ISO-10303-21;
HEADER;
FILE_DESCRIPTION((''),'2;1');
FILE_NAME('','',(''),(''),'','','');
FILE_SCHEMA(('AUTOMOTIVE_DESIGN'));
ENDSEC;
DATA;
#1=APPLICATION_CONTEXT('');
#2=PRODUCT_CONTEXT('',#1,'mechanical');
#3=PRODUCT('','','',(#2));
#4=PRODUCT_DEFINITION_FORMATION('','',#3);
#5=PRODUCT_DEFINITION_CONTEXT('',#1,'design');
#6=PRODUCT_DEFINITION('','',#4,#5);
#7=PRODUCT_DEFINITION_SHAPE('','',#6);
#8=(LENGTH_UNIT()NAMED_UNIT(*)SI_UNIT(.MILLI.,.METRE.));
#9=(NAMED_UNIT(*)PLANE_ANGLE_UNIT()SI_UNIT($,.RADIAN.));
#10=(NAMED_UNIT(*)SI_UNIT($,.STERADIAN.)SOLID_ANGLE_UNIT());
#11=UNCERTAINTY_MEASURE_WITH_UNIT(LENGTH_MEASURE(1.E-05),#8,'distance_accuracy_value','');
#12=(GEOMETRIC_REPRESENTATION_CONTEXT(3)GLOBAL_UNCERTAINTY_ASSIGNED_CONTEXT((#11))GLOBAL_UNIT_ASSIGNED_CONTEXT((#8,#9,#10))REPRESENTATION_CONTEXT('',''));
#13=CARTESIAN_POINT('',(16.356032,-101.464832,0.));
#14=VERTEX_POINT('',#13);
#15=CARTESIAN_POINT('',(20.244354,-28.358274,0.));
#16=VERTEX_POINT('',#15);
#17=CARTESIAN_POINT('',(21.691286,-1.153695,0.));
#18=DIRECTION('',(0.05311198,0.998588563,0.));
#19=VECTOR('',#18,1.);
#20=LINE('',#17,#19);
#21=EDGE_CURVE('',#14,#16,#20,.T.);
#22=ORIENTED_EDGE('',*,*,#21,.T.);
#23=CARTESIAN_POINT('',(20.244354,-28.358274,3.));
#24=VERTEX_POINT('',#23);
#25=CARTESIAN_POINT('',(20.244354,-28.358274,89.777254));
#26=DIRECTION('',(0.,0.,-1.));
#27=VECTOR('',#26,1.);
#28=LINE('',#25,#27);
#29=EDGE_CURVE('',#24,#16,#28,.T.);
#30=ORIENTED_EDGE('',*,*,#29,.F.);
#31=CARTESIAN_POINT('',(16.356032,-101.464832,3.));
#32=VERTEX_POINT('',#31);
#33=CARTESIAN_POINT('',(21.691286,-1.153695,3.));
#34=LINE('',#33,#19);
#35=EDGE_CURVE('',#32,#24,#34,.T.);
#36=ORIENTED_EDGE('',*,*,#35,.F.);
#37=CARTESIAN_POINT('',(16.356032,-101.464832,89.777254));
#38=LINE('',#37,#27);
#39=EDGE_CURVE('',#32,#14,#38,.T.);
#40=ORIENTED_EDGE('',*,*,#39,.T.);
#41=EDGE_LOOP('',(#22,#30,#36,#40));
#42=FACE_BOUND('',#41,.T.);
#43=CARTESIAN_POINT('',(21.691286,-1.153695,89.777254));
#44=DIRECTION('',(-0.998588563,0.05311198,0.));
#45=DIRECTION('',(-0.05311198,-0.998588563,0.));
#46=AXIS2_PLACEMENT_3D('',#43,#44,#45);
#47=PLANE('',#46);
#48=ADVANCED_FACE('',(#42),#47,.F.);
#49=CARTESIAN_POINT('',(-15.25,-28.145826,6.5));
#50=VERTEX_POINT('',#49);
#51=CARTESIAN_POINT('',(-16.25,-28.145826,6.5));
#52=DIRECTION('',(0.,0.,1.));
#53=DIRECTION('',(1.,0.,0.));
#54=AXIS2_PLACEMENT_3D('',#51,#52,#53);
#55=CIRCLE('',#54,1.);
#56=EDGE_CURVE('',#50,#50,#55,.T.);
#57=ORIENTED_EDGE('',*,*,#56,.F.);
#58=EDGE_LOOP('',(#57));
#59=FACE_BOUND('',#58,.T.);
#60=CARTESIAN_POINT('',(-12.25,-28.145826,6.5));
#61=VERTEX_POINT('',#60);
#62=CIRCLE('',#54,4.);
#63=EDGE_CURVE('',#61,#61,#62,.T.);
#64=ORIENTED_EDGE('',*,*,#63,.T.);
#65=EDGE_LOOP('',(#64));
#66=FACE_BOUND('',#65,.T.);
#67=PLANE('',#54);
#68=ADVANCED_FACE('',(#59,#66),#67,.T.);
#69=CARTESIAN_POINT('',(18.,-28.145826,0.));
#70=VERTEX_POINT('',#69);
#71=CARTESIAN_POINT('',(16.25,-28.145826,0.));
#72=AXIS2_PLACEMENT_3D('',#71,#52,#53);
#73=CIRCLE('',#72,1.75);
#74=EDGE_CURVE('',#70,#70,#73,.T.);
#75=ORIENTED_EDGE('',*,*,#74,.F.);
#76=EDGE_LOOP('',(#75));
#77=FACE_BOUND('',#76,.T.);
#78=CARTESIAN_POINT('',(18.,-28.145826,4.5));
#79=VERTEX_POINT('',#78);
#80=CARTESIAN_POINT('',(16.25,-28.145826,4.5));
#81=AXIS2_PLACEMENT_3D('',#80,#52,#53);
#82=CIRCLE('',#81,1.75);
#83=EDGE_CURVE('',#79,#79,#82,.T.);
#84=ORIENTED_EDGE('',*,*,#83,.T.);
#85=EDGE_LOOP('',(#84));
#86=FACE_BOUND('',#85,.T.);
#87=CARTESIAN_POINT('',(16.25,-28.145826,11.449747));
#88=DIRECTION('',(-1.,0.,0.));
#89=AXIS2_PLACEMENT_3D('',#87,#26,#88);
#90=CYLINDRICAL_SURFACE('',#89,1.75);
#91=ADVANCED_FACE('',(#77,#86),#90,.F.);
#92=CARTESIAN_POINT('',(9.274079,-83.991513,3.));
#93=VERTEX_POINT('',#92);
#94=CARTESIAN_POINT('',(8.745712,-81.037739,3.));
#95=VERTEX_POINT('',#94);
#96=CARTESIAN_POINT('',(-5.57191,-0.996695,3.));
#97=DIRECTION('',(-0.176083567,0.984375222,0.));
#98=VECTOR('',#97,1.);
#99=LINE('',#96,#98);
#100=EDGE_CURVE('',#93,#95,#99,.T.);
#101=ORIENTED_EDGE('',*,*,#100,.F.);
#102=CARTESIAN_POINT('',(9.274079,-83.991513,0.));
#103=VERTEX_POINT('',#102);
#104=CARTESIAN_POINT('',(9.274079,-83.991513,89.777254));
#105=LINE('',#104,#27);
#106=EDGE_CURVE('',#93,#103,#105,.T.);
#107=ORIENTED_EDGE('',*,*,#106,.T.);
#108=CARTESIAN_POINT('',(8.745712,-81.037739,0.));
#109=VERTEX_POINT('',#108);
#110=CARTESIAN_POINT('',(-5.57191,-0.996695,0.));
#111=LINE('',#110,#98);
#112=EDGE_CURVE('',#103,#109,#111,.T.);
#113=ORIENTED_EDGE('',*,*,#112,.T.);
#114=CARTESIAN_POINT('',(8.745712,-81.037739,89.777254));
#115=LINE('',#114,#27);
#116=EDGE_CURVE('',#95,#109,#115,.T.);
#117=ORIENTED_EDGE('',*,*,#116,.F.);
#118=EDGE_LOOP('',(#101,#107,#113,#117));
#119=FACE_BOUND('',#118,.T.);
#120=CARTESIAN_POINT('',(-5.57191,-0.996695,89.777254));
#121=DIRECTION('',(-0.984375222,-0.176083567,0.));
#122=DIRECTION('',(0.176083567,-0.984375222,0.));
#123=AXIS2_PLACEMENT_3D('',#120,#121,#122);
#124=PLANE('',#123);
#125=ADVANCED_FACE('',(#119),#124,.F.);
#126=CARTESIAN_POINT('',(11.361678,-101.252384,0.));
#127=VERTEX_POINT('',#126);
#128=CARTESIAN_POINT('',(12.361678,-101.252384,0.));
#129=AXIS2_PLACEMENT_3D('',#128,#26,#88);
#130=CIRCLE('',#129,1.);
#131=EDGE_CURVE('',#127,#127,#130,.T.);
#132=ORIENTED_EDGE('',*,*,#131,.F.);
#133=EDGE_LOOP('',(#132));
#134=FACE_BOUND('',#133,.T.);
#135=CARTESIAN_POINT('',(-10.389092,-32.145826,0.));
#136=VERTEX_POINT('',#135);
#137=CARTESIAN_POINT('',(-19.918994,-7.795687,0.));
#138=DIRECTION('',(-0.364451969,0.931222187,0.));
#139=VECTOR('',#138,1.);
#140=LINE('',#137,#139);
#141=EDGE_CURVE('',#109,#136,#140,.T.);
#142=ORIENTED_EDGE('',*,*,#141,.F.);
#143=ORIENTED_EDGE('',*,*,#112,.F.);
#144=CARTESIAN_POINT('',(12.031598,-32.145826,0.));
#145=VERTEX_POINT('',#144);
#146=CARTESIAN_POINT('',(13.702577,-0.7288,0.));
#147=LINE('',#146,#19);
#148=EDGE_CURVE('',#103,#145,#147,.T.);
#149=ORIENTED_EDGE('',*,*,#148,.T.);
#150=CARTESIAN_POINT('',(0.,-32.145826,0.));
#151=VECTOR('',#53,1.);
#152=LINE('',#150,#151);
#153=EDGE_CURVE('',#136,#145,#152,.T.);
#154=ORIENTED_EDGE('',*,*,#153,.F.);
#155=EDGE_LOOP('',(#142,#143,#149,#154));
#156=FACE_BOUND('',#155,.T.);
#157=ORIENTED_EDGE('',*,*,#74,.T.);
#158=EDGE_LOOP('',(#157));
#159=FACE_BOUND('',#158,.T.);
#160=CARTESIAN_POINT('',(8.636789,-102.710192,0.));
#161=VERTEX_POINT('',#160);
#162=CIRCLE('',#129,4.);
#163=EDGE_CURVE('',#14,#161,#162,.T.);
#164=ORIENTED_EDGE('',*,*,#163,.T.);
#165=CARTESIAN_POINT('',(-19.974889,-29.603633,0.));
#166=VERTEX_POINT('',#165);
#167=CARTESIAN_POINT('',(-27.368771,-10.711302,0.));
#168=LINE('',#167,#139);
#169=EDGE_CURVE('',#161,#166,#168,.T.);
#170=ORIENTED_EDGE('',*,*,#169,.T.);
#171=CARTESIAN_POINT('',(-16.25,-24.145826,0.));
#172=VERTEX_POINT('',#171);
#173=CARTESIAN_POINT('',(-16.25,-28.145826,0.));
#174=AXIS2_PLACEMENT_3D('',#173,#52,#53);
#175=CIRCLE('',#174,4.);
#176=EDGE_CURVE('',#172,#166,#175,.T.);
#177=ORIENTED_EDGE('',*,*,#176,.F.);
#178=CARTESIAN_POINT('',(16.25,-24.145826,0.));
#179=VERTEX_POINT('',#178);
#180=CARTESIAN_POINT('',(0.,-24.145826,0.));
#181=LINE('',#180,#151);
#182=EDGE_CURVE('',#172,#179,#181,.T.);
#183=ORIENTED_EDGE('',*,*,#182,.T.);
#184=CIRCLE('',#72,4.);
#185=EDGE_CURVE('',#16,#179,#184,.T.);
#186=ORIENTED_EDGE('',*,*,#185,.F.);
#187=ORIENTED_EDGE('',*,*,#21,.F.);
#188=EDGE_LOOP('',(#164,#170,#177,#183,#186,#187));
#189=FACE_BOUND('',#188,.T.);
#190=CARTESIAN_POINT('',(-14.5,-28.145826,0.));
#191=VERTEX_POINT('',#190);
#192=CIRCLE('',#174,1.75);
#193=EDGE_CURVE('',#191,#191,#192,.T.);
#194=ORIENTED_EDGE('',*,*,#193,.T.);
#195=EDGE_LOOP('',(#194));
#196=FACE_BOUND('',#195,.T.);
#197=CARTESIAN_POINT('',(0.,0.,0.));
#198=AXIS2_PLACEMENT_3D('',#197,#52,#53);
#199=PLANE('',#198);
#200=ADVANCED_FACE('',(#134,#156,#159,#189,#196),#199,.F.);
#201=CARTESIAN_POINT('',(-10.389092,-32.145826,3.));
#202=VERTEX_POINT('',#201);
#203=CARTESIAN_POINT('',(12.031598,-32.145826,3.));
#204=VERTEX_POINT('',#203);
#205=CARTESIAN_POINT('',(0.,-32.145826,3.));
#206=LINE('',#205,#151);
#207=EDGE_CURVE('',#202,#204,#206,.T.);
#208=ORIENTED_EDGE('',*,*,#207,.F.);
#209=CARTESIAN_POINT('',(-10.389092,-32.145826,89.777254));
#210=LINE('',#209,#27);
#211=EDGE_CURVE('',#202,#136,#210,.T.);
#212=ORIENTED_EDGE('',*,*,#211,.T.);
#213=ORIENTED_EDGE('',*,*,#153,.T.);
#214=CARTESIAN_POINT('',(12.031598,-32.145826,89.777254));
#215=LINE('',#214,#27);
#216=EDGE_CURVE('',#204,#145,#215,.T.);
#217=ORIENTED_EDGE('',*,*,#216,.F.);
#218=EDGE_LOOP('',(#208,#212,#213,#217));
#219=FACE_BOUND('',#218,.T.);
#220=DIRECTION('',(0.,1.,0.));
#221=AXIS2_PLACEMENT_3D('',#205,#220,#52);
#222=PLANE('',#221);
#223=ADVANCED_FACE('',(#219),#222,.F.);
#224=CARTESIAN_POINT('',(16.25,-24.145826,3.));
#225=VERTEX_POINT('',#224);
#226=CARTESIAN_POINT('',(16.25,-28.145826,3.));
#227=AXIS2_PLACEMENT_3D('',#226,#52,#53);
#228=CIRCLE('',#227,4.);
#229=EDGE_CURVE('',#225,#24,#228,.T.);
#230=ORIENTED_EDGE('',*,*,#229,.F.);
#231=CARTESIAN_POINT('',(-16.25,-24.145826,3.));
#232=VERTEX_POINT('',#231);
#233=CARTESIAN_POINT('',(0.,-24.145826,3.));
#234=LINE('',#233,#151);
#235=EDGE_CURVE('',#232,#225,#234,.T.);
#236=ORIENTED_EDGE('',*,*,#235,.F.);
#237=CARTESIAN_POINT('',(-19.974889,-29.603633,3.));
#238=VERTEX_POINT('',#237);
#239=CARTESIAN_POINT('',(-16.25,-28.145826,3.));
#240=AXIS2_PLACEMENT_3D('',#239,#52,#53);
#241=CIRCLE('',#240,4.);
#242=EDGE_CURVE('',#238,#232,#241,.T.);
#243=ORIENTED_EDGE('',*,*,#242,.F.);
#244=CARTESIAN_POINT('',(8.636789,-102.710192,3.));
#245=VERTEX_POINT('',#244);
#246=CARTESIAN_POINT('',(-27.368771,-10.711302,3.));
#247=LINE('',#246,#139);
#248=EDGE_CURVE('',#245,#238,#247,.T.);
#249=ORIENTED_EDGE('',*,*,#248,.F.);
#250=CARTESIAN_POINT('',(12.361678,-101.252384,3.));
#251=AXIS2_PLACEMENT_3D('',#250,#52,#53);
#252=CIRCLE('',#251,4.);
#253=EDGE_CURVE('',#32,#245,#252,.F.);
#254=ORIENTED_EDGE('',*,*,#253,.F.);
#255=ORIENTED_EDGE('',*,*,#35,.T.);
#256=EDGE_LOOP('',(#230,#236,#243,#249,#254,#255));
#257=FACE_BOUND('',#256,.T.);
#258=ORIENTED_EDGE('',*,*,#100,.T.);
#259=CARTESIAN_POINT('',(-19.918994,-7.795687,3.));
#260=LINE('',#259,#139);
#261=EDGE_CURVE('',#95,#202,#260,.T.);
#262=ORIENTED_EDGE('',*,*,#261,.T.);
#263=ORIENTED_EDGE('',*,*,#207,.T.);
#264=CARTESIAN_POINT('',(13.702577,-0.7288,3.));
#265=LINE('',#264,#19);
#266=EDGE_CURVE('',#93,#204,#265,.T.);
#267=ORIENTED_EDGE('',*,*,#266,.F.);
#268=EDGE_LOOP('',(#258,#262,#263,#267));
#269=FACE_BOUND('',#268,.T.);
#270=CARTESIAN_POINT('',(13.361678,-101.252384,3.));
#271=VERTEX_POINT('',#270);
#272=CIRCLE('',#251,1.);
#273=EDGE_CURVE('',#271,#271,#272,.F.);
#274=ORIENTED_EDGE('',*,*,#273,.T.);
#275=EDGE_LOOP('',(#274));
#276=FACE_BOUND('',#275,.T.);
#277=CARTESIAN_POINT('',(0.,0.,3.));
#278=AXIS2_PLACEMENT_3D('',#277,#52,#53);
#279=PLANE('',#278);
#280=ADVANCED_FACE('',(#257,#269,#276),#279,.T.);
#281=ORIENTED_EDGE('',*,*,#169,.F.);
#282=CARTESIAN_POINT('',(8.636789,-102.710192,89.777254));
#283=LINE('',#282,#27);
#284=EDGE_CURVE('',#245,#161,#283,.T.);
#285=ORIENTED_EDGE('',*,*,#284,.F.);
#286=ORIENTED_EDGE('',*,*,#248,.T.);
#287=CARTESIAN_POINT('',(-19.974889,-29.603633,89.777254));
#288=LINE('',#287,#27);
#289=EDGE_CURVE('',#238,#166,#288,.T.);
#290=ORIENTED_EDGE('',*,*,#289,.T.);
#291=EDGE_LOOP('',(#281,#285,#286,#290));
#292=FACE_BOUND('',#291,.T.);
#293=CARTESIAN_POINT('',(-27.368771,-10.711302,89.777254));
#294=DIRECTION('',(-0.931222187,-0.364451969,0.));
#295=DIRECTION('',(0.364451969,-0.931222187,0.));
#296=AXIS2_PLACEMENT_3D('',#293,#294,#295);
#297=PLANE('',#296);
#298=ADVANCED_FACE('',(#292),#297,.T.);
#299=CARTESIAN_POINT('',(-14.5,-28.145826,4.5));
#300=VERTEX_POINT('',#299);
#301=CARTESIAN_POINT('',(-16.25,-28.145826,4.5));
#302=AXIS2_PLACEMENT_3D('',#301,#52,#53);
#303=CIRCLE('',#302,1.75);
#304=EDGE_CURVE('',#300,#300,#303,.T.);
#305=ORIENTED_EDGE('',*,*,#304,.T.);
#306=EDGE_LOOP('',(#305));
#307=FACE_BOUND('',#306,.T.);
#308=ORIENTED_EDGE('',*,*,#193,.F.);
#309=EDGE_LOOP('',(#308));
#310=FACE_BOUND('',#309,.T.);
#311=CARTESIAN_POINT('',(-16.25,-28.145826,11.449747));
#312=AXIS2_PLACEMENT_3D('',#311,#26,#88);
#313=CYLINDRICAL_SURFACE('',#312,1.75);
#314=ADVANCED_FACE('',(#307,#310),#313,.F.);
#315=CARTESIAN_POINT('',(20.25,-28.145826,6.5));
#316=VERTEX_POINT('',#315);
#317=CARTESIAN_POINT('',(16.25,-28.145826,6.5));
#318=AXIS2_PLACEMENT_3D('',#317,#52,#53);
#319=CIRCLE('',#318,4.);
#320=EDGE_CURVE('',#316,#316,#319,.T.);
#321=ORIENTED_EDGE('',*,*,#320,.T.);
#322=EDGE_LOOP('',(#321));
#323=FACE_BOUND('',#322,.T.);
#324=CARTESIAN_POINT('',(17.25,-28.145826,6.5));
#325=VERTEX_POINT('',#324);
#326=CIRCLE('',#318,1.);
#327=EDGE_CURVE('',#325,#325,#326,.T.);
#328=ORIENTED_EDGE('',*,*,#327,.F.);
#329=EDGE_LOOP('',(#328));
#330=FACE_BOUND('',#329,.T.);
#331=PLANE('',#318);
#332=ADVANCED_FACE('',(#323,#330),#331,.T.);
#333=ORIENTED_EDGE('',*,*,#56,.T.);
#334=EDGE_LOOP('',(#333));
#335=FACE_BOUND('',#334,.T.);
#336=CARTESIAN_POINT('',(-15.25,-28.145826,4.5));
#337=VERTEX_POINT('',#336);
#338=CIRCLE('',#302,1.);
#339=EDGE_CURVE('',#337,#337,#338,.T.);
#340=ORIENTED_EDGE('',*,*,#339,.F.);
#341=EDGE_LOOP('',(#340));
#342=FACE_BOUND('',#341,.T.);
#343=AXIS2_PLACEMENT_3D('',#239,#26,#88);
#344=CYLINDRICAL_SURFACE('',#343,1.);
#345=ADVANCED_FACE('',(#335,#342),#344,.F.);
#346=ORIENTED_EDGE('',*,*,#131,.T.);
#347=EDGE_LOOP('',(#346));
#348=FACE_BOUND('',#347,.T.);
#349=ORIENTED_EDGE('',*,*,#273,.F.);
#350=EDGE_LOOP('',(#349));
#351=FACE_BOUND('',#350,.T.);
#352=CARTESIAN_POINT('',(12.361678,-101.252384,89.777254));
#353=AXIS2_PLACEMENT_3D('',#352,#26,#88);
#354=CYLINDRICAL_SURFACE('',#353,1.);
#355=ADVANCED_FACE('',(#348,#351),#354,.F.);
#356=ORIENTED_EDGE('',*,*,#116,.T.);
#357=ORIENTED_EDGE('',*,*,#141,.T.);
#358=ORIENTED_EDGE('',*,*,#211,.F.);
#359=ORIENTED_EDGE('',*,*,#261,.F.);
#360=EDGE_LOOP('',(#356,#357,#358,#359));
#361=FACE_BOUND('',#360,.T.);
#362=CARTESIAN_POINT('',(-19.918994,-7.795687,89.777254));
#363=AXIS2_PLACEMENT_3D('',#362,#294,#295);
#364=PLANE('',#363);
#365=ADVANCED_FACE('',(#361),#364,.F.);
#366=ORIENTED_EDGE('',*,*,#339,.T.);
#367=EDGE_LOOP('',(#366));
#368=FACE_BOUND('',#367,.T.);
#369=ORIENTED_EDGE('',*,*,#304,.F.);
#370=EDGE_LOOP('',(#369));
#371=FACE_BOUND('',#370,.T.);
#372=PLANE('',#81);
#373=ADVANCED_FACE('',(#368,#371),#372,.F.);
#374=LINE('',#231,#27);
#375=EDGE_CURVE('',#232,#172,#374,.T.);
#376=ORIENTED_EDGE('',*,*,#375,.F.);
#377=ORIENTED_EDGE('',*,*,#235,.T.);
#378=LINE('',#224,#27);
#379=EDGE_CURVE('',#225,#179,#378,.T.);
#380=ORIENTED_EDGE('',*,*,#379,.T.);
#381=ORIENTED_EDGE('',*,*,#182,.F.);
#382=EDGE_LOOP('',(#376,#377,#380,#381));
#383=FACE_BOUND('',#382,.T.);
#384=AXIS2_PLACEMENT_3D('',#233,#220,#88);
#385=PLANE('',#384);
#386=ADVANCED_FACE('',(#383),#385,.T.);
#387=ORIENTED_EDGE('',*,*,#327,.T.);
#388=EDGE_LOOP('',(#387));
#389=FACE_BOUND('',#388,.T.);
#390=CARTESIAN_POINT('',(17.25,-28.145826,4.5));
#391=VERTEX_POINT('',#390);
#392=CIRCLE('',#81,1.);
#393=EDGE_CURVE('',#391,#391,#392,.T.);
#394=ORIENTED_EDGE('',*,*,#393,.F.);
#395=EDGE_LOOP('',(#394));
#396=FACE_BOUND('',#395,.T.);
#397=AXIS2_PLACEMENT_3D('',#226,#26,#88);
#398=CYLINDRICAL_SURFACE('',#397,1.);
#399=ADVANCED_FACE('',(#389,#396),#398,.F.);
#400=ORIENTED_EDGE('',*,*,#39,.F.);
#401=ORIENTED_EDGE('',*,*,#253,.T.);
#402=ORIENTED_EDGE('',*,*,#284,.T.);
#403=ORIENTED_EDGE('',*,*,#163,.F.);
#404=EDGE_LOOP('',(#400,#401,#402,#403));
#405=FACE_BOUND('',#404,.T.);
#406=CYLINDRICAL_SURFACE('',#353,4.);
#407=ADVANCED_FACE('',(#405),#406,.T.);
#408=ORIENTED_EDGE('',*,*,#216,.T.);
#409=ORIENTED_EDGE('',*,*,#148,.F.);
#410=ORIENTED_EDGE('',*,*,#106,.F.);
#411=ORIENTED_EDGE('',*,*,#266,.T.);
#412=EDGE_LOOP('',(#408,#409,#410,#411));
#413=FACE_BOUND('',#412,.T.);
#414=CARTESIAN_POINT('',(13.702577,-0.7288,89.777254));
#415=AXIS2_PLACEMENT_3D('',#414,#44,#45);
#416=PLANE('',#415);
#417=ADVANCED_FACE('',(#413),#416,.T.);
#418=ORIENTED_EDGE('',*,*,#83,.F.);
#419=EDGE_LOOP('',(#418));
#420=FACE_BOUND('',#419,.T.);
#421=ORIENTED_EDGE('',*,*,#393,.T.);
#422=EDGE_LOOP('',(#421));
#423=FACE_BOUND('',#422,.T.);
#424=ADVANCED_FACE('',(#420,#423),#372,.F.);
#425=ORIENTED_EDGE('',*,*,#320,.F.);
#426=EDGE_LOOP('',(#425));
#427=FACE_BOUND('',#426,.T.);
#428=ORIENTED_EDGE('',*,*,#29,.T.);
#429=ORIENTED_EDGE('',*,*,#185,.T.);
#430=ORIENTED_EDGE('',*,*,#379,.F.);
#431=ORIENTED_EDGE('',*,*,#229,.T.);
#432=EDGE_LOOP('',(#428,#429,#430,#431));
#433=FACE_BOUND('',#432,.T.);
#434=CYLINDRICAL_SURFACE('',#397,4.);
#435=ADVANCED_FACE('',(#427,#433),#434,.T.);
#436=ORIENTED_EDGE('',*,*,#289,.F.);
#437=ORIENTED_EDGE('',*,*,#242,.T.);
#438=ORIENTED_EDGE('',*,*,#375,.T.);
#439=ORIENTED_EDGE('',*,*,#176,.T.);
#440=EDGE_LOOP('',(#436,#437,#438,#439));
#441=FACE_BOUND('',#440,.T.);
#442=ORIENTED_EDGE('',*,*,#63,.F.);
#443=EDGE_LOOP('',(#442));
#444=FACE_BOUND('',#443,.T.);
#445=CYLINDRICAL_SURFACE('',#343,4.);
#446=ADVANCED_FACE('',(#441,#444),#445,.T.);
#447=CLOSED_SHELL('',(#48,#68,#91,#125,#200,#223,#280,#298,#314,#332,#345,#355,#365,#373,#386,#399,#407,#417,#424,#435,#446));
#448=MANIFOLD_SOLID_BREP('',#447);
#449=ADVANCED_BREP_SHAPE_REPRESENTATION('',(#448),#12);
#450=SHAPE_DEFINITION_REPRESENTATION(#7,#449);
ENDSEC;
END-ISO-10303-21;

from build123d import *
from build123d.topology import SkipClean

# Parameters (mm, degrees)
SKETCH_1_R          = 1
EXTRUDE_1_DEPTH     = 3
SKETCH_2_R          = 1
EXTRUDE_2_DEPTH     = 3
EXTRUDE_START       = -3
SKETCH_2_5_R        = 1
EXTRUDE_4_DEPTH     = 3.5
SKETCH_1_6_R        = 1.75
CUT_EXTRUDE_2_DEPTH = 4.5


with BuildPart() as part:
    # 草图1 → 凸台-拉伸1 (new body)
    with BuildSketch(Plane.XY):
        with BuildLine():
            Line((-16.25, -32.145825623), (16.25, -32.145825623))
            ThreePointArc((16.25, -32.145825623), (20.25, -28.145825623), (16.25, -24.145825623))
            Line((16.25, -24.145825623), (0, -24.145825623))
            Line((0, -24.145825623), (-16.25, -24.145825623))
            ThreePointArc((-16.25, -24.145825623), (-20.25, -28.145825623), (-16.25, -32.145825623))
        make_face()
        with Locations((-16.25, -28.145825623)):
            Circle(SKETCH_1_R, mode=Mode.SUBTRACT)
        with Locations((16.25, -28.145825623)):
            Circle(SKETCH_1_R, mode=Mode.SUBTRACT)
    extrude(amount=EXTRUDE_1_DEPTH)

    # 草图2 → 凸台-拉伸2 (add)
    with BuildSketch(Plane(origin=(0, 0, 0), x_dir=(-1, 0, 0), z_dir=(0, 0, -1))):
        with BuildLine():
            ThreePointArc((-16.356032043, -101.464832065), (-12.998767478, -105.201322829), (-8.636789042, -102.71019202))
            Line((-8.636789042, -102.71019202), (19.97488875, -29.603633498))
            ThreePointArc((19.97488875, -29.603633498), (14.792192125, -31.870714373), (12.52511125, -26.688017748))
            Line((12.52511125, -26.688017748), (-8.745712257, -81.037738685))
            Line((-8.745712257, -81.037738685), (-9.274078909, -83.991512561))
            Line((-9.274078909, -83.991512561), (-12.255645749, -27.933377702))
            ThreePointArc((-12.255645749, -27.933377702), (-16.037552079, -32.140179874), (-20.244354251, -28.358273544))
            Line((-20.244354251, -28.358273544), (-16.356032043, -101.464832065))
        make_face()
        with Locations((-12.361677792, -101.252384145)):
            Circle(SKETCH_2_R, mode=Mode.SUBTRACT)
    extrude(amount=-EXTRUDE_2_DEPTH)

    # 草图2<5> → 凸台-拉伸4 (add)
    # profile 1 of 2: a face of its own
    with SkipClean():  # the faces are left unmerged after this step: merging them gives an invalid solid
        with BuildSketch(Plane(origin=(0, 0, 0), x_dir=(-1, 0, 0), z_dir=(0, 0, -1)).offset(EXTRUDE_START)):
            with BuildLine():
                ThreePointArc((-16.25, -24.145825623), (-19.152567112, -25.393534912), (-20.244354251, -28.358273544))
                ThreePointArc((-20.244354251, -28.358273544), (-19.002290711, -31.048392735), (-16.25, -32.145825623))
                ThreePointArc((-16.25, -32.145825623), (-13.421572875, -30.974252748), (-12.25, -28.145825623))
                ThreePointArc((-12.25, -28.145825623), (-12.251411686, -28.039564161), (-12.255645749, -27.933377702))
                ThreePointArc((-12.255645749, -27.933377702), (-13.497709289, -25.243258511), (-16.25, -24.145825623))
            make_face()
            with Locations(Location((-16.25, -28.145825623, 0), (0, 0, 180))):
                Circle(SKETCH_2_5_R, mode=Mode.SUBTRACT)
        # profile 2 of 2: a face of its own
        with BuildSketch(Plane(origin=(0, 0, 0), x_dir=(-1, 0, 0), z_dir=(0, 0, -1)).offset(EXTRUDE_START)):
            with BuildLine():
                ThreePointArc((16.25, -32.145825623), (18.504857922, -31.449704518), (19.97488875, -29.603633498))
                ThreePointArc((19.97488875, -29.603633498), (20.180620498, -28.887595466), (20.25, -28.145825623))
                ThreePointArc((20.25, -28.145825623), (19.078427125, -25.317398498), (16.25, -24.145825623))
                ThreePointArc((16.25, -24.145825623), (13.995142078, -24.841946728), (12.52511125, -26.688017748))
                ThreePointArc((12.52511125, -26.688017748), (12.946121105, -30.400683545), (16.25, -32.145825623))
            make_face()
            with Locations(Location((16.25, -28.145825623, 0), (0, 0, 180))):
                Circle(SKETCH_2_5_R, mode=Mode.SUBTRACT)
        extrude(amount=-EXTRUDE_4_DEPTH)

    # 草图1<6> → 切除-拉伸2 (cut)
    with SkipClean():  # the faces are left unmerged after this step: merging them gives an invalid solid
        with BuildSketch(Plane.XY):
            with Locations((-16.25, -28.145825623)):
                Circle(SKETCH_1_6_R)
            with Locations((16.25, -28.145825623)):
                Circle(SKETCH_1_6_R)
        extrude(amount=CUT_EXTRUDE_2_DEPTH, mode=Mode.SUBTRACT)


solid = part.part
